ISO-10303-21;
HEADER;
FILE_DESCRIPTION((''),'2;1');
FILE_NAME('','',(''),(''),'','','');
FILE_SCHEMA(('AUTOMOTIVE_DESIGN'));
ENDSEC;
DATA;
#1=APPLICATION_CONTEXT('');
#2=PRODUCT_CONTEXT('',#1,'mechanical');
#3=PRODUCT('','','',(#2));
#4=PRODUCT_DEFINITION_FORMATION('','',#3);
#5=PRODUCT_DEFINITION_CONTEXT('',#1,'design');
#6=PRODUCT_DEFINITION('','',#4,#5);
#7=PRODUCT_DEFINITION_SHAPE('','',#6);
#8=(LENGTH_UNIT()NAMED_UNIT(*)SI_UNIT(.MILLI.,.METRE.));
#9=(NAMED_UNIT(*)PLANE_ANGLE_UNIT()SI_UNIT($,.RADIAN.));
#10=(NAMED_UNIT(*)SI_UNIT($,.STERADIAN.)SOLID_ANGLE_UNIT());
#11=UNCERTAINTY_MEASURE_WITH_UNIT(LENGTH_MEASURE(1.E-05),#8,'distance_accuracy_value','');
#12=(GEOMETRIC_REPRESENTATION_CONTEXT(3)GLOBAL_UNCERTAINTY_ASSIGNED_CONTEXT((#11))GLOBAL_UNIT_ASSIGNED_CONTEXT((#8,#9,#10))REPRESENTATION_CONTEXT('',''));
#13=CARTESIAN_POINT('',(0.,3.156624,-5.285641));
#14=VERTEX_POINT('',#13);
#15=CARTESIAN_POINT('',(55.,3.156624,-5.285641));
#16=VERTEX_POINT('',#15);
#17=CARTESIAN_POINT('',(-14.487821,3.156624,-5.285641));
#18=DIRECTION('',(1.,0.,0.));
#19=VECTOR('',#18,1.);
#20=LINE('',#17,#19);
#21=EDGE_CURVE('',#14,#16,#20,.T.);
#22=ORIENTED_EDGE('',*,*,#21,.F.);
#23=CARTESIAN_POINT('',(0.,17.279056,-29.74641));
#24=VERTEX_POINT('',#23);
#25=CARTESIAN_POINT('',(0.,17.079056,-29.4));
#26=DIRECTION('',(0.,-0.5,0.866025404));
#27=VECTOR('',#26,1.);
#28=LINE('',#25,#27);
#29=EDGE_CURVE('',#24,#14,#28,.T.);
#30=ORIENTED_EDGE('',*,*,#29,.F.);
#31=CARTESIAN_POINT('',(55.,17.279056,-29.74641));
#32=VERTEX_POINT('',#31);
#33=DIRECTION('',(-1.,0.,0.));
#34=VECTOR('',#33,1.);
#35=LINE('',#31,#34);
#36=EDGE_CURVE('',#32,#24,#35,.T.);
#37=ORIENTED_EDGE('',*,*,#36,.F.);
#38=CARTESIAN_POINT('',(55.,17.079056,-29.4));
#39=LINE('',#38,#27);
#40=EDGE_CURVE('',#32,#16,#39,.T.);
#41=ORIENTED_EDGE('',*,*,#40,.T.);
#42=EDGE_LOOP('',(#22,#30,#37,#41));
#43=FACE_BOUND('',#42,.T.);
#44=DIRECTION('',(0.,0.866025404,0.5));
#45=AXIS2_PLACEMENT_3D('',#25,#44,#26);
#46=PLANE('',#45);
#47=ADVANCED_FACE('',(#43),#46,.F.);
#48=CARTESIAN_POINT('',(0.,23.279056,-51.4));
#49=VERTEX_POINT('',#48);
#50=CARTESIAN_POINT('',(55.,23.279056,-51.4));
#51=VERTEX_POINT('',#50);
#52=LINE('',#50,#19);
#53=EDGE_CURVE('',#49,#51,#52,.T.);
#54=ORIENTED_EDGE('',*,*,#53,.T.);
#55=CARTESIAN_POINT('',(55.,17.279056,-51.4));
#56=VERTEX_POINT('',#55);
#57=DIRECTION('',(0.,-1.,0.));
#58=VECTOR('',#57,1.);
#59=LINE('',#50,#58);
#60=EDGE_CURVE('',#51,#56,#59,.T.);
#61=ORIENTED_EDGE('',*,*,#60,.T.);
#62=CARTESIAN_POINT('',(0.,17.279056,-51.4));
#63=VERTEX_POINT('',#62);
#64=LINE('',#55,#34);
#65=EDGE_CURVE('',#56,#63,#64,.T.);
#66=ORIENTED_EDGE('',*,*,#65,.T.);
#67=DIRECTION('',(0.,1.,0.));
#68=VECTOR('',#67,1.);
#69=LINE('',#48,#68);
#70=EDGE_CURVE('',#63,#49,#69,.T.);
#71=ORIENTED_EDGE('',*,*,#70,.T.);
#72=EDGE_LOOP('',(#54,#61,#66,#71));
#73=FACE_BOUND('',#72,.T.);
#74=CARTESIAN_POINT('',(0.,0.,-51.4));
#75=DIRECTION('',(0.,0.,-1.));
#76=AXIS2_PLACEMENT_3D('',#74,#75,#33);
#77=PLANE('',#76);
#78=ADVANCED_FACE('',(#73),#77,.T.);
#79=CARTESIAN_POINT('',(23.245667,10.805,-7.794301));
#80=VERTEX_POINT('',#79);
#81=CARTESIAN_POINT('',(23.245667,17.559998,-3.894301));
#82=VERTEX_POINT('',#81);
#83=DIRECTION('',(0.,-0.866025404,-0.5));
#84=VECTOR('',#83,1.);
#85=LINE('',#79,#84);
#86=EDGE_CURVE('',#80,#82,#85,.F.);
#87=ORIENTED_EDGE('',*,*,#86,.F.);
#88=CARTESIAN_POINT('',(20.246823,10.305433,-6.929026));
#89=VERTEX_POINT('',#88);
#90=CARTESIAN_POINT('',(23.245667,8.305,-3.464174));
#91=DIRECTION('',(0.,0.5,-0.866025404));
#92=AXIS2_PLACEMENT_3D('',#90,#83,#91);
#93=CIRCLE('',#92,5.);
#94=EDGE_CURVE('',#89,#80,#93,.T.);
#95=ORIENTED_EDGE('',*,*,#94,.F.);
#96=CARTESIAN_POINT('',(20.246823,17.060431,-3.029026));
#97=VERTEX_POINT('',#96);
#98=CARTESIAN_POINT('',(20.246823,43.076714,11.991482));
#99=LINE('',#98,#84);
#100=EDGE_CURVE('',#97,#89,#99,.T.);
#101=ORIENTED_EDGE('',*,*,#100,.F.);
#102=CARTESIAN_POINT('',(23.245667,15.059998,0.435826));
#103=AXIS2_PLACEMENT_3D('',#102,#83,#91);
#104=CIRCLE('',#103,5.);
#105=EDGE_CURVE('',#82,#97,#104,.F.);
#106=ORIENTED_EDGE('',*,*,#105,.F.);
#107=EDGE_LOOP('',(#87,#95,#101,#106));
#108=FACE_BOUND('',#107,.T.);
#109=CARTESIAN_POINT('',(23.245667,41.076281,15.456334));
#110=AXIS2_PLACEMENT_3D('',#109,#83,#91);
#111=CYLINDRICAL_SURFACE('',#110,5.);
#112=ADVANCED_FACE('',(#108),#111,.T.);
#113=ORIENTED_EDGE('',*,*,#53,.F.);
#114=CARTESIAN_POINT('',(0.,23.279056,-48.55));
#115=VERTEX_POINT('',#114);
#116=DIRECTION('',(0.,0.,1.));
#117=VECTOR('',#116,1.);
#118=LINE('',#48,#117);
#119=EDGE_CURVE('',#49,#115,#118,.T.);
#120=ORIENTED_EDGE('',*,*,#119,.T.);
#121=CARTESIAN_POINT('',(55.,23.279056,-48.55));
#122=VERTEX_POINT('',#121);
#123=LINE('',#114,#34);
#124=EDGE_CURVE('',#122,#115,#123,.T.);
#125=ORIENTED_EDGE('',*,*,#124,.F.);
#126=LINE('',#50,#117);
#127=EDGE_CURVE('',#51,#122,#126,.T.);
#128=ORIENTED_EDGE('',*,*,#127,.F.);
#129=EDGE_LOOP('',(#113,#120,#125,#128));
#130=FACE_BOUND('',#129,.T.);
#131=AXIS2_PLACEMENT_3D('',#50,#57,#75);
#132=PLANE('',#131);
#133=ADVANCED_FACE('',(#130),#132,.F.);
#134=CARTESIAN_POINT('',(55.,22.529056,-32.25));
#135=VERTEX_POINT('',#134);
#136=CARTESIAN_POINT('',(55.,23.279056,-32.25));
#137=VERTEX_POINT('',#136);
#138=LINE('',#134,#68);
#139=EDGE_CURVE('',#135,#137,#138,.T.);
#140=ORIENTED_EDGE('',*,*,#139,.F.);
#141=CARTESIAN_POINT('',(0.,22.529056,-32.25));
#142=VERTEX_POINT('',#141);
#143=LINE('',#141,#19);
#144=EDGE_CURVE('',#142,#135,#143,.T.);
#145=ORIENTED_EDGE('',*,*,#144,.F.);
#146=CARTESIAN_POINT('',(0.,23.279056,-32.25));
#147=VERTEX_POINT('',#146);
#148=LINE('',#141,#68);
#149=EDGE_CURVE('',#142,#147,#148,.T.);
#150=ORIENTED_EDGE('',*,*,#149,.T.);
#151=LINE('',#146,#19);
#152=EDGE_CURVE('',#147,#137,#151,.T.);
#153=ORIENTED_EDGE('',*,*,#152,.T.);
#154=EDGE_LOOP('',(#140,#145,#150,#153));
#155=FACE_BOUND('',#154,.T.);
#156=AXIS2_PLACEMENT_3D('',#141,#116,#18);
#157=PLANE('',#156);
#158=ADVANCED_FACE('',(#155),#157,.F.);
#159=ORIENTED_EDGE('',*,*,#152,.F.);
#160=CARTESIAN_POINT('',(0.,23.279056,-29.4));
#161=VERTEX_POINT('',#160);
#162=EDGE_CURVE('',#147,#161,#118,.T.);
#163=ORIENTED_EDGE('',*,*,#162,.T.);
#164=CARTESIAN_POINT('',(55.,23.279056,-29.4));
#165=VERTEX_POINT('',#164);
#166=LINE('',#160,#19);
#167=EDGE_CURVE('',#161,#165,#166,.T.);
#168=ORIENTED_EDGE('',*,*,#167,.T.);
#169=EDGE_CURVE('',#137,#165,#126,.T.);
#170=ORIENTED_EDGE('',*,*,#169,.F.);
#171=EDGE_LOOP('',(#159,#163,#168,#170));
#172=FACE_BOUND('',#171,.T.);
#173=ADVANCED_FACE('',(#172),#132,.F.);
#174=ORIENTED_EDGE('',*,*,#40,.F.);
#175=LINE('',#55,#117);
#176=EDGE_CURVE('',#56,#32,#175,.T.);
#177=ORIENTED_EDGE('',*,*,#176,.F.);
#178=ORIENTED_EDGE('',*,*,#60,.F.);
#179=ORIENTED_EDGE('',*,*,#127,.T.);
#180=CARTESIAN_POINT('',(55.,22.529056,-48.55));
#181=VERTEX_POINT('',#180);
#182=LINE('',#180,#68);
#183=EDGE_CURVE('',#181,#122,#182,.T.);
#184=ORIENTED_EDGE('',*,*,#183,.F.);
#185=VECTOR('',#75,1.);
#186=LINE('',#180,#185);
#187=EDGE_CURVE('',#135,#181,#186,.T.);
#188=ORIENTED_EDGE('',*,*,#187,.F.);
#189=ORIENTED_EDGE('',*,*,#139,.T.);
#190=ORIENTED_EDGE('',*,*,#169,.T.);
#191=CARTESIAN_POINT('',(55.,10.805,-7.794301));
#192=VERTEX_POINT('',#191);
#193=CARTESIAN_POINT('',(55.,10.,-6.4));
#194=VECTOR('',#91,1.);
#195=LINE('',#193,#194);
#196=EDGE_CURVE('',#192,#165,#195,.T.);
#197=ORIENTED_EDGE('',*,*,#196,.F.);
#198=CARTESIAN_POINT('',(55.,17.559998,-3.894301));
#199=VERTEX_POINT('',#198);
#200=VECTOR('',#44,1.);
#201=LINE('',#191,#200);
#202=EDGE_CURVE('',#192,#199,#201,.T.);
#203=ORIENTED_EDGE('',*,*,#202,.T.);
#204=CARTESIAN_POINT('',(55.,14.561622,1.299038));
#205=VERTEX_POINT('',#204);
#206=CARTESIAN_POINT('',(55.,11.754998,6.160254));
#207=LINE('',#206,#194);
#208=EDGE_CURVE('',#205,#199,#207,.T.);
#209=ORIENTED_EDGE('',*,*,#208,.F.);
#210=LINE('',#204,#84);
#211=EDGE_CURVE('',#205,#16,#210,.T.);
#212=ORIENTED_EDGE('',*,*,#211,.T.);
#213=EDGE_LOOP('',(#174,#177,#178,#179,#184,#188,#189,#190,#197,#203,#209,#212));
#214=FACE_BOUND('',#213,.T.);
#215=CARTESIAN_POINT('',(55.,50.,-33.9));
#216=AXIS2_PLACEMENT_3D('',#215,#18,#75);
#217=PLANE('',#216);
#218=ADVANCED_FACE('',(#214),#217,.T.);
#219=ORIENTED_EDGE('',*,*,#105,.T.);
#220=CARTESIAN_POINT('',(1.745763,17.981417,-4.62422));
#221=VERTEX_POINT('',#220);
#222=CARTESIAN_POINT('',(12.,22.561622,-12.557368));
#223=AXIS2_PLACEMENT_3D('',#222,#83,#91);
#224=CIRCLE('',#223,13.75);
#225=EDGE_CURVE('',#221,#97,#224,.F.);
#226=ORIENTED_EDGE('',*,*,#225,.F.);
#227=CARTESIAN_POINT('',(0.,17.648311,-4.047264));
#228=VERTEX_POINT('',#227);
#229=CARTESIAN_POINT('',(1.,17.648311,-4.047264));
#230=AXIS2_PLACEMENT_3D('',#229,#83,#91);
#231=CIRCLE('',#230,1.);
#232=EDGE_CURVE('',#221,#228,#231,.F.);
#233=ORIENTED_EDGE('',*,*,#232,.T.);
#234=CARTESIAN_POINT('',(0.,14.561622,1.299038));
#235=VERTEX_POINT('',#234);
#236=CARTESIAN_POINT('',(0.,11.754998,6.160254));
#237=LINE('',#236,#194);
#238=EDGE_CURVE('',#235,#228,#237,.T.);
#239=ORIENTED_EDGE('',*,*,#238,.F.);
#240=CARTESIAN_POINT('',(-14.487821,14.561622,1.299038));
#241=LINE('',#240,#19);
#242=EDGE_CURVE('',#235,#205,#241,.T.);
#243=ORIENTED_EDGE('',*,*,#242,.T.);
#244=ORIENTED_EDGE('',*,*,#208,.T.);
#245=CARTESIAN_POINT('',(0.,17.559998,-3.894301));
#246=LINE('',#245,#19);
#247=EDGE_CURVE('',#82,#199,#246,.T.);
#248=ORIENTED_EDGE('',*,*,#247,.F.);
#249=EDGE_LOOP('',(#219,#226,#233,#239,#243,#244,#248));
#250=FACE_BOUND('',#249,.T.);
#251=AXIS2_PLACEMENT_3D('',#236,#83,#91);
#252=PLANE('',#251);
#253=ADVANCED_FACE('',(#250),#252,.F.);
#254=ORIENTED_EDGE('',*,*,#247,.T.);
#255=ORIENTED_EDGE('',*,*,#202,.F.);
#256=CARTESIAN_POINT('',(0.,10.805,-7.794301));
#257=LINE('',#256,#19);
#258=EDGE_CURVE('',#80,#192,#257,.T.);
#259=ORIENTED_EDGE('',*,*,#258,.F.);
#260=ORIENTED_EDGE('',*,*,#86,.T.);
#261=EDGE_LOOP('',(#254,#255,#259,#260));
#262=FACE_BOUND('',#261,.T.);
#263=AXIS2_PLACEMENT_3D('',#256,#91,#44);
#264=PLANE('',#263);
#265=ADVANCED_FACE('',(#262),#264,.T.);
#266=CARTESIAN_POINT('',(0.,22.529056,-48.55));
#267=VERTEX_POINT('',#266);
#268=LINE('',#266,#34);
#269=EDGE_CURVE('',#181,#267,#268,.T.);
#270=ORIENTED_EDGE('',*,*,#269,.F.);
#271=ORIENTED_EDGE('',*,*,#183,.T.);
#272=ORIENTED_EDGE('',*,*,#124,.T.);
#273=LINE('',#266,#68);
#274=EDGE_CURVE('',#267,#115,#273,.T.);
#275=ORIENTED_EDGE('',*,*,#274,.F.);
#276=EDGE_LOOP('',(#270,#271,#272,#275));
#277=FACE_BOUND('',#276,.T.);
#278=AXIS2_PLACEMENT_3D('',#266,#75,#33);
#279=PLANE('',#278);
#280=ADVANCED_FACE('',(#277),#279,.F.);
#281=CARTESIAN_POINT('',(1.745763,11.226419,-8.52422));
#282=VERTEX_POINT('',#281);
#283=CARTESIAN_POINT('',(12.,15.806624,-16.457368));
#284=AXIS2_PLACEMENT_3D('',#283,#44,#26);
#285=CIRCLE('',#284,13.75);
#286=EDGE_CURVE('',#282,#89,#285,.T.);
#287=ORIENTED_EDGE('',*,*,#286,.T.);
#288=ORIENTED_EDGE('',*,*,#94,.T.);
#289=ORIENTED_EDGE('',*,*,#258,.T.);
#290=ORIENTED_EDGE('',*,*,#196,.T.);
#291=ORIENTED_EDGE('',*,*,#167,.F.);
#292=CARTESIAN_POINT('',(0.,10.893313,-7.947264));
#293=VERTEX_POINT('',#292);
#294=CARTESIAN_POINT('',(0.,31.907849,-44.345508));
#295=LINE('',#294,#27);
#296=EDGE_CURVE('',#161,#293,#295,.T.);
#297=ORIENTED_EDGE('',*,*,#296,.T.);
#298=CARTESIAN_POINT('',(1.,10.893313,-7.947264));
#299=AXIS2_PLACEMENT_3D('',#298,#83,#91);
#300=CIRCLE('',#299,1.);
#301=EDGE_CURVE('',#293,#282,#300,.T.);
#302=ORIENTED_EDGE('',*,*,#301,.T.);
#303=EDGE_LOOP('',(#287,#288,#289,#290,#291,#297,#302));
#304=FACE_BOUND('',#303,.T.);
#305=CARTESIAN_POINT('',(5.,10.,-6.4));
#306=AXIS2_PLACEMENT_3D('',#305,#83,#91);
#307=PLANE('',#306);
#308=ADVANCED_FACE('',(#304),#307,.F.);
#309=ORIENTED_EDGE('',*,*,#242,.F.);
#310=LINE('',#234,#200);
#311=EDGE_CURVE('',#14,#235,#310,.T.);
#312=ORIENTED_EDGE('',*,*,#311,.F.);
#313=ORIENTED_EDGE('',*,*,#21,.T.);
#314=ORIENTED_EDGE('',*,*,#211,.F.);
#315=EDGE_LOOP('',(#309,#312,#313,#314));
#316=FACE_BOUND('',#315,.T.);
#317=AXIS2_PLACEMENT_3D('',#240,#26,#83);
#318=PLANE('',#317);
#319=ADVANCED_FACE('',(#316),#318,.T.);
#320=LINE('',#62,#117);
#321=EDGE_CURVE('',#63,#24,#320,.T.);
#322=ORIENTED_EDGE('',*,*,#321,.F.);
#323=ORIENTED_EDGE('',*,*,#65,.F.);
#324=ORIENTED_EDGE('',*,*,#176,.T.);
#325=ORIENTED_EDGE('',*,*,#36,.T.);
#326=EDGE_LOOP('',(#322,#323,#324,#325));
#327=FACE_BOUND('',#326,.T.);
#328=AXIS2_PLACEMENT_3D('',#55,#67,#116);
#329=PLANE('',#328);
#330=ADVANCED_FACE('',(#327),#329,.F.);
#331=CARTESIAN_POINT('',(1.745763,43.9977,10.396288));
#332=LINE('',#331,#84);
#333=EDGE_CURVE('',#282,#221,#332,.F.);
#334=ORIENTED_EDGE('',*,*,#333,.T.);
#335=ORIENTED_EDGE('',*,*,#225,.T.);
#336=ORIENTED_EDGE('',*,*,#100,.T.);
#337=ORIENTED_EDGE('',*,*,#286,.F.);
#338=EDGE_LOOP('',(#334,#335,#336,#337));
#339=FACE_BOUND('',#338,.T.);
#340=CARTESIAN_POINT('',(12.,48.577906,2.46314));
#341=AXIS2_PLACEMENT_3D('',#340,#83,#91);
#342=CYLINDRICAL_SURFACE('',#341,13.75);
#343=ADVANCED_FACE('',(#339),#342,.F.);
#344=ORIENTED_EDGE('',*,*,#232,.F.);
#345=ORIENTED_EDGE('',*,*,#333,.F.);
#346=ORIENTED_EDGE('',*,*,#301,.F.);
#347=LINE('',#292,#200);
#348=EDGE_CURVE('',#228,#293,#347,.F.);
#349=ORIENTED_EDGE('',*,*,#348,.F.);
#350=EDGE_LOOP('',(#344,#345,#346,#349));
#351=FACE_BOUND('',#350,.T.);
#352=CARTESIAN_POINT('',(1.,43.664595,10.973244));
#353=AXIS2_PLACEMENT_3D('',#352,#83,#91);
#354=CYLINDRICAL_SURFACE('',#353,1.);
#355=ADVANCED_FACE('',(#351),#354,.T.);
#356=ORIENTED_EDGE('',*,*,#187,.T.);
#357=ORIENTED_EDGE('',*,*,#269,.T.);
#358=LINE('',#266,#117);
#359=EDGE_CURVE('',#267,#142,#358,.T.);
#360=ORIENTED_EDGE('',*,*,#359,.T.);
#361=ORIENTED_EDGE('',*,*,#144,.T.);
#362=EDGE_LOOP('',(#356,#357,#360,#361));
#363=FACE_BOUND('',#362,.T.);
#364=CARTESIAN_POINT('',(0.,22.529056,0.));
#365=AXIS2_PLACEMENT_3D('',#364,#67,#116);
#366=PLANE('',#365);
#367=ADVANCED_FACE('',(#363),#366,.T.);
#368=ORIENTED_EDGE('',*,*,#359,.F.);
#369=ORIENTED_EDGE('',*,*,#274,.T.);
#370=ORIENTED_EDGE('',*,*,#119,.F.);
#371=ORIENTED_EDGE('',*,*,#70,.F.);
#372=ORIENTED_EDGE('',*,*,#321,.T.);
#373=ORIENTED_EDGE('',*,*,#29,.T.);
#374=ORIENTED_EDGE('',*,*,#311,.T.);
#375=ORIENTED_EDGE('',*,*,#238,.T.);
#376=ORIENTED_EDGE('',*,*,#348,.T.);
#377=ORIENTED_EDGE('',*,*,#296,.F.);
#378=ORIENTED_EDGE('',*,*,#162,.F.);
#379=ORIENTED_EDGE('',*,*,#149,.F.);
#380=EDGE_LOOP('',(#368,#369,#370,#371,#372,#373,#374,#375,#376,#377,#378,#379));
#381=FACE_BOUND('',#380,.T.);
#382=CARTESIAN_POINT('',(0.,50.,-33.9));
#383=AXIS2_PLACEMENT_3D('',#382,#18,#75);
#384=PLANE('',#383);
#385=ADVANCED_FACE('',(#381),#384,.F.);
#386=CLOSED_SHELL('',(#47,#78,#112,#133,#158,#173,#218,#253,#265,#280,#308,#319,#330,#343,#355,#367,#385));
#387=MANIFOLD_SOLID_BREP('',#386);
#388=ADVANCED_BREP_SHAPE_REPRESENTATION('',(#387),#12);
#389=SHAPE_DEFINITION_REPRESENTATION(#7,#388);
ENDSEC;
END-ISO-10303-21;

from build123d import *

# Parameters (mm, degrees)
SKETCH1_W           = 55
SKETCH1_H           = 33.9
BOSS_EXTRUDE1_DEPTH = 50
CUT_EXTRUDE1_DEPTH  = 50
CUT_EXTRUDE2_DEPTH  = 82.695838327
BOSS_EXTRUDE2_REACH = 83.696
SKETCH6_R           = 13.75
CUT_EXTRUDE3_DEPTH  = 81.101530043
CUT_EXTRUDE4_DEPTH  = 82.695838327
SKETCH8_R           = 6
CUT_EXTRUDE5_DEPTH  = 70.597672241
CUT_EXTRUDE6_DEPTH  = 70.597672241
SKETCH10_W          = 55
SKETCH10_H          = 4.5
CUT_EXTRUDE7_DEPTH  = 69.674045004
FILLET5_R           = 1
FILLET6_R           = 5
CUT_EXTRUDE8_DEPTH  = 67.56781848
SKETCH17_W          = 55
SKETCH17_H          = 6
BOSS_EXTRUDE4_DEPTH = 22
BOSS_EXTRUDE5_DEPTH = 55
SKETCH19_W          = 55
SKETCH19_H          = 16.3
CUT_EXTRUDE9_DEPTH  = 0.75
BOSS_EXTRUDE6_DEPTH = 55


with BuildPart() as part:
    # Sketch1 → Boss-Extrude1 (new body)
    with BuildSketch(Plane(origin=(0, 0, 0), x_dir=(1, 0, 0), z_dir=(0, 1, 0))):
        with Locations((27.5, 16.95)):
            Rectangle(SKETCH1_W, SKETCH1_H)
    extrude(amount=BOSS_EXTRUDE1_DEPTH)

    # Sketch4 → Cut-Extrude1 (cut)
    with BuildSketch(Plane(origin=(55, 0, 0), x_dir=(0, 0, -1), z_dir=(1, 0, 0))):
        Polygon((-18.6, 53.301270189), (24.701270189, 78.301270189), (49.701270189, 35), (6.4, 10), align=None)
    extrude(amount=-CUT_EXTRUDE1_DEPTH, mode=Mode.SUBTRACT)

    # Sketch5 → Cut-Extrude2 (cut, through all)
    with BuildSketch(Plane(origin=(55, 0, 0), x_dir=(0, 0, -1), z_dir=(1, 0, 0))):
        Polygon((-11.160254038, 20.415252187), (-2.5, 25.415252187), (2.5, 16.75499815), (-6.160254038, 11.75499815), align=None)
    extrude(amount=-CUT_EXTRUDE2_DEPTH, mode=Mode.SUBTRACT)

    # Sketch12 → Boss-Extrude2 (add, up to next)
    with BuildSketch(Plane(origin=(55, 0, 0), x_dir=(0, 0, -1), z_dir=(1, 0, 0)), mode=Mode.PRIVATE) as boss_extrude2_sk1:
        Polygon((2.5, 16.75499815), (6.4, 10), (7.7943009, 10.805), (3.8943009, 17.55999815), align=None)
    boss_extrude2_tool1 = extrude(boss_extrude2_sk1.sketch, amount=-BOSS_EXTRUDE2_REACH, mode=Mode.PRIVATE) - part.part
    add(boss_extrude2_tool1.solids().sort_by_distance((55, 13.779999, -5.14715))[0])

    # Sketch6 → Cut-Extrude3 (cut, through all)
    with BuildSketch(Plane(origin=(0, 4.728718708, 2.730127019), x_dir=(1, 0, 0), z_dir=(0, 0.8660254037844417, 0.4999999999999949))):
        with Locations((12, 22.155811238)):
            Circle(SKETCH6_R)
    extrude(amount=CUT_EXTRUDE3_DEPTH, mode=Mode.SUBTRACT)

    # Sketch7 → Cut-Extrude4 (cut, through all)
    with BuildSketch(Plane(origin=(55, 0, 0), x_dir=(0, 0, -1), z_dir=(1, 0, 0))):
        Polygon((0, 15.311622477), (6.743860378, 19.205192081), (10.643860378, 12.450193932), (102.202540378, 65.311622477), (25.408423261, 65.311622477), (0, 65.311622477), align=None)
    extrude(amount=-CUT_EXTRUDE4_DEPTH, mode=Mode.SUBTRACT)

    # Sketch8 → Cut-Extrude5 (cut, through all)
    with BuildSketch(Plane(origin=(0, 0, 0), x_dir=(1, 0, 0), z_dir=(0, 1, 0))):
        with Locations((25.75, 35.4)):
            Circle(SKETCH8_R)
    extrude(amount=CUT_EXTRUDE5_DEPTH, mode=Mode.SUBTRACT)

    # Sketch9 → Cut-Extrude6 (cut, through all)
    with BuildSketch(Plane(origin=(55, 0, 0), x_dir=(0, 0, -1), z_dir=(1, 0, 0))):
        Polygon((29.4, 23.279056191), (33.9, 23.279056191), (33.9, 25.877132403), align=None)
    extrude(amount=-CUT_EXTRUDE6_DEPTH, mode=Mode.SUBTRACT)

    # Sketch10 → Cut-Extrude7 (cut, through all)
    with BuildSketch(Plane(origin=(0, 0, 0), x_dir=(1, 0, 0), z_dir=(0, 1, 0))):
        with Locations((27.5, 31.65)):
            Rectangle(SKETCH10_W, SKETCH10_H)
    extrude(amount=CUT_EXTRUDE7_DEPTH, mode=Mode.SUBTRACT)

    # Fillet5
    fillet5_edges = [part.edges().sort_by_distance(p)[0] for p in [
        (0, 15.827693006, -8.693860378),
    ]]
    fillet(fillet5_edges, radius=FILLET5_R)

    # Fillet6
    fillet6_edges = [part.edges().sort_by_distance(p)[0] for p in [
        (21.433849499, 14.182499075, -5.8443009),
    ]]
    fillet(fillet6_edges, radius=FILLET6_R)

    # Sketch16 → Cut-Extrude8 (cut, through all)
    with BuildSketch(Plane(origin=(55, 0, 0), x_dir=(0, 0, -1), z_dir=(1, 0, 0))):
        Polygon((29.4, 17.079056191), (6.584678752, 3.906624327), (0, 15.311622477), (0, 0), (29.4, 0), align=None)
    extrude(amount=-CUT_EXTRUDE8_DEPTH, mode=Mode.SUBTRACT)

    # Sketch17 → Boss-Extrude4 (add)
    with BuildSketch(Plane(origin=(0, 0, -29.4), x_dir=(-1, 0, 0), z_dir=(0, 0, -1))):
        with Locations((-27.5, 20.279056191)):
            Rectangle(SKETCH17_W, SKETCH17_H)
    extrude(amount=BOSS_EXTRUDE4_DEPTH)

    # Sketch18 → Boss-Extrude5 (add)
    with BuildSketch(Plane(origin=(55, 0, 0), x_dir=(0, 0, -1), z_dir=(1, 0, 0))):
        Polygon((17.992339376, 10.492840259), (40.138715007, 23.279056191), (29.4, 23.279056191), (15.307660624, 15.142840259), align=None)
    extrude(amount=-BOSS_EXTRUDE5_DEPTH)

    # Sketch19 → Cut-Extrude9 (cut)
    with BuildSketch(Plane(origin=(0, 23.279056191, 0), x_dir=(1, 0, 0), z_dir=(0, 1, 0))):
        with Locations((27.5, 40.4)):
            Rectangle(SKETCH19_W, SKETCH19_H)
    extrude(amount=-CUT_EXTRUDE9_DEPTH, mode=Mode.SUBTRACT)

    # Sketch20 → Boss-Extrude6 (add)
    with BuildSketch(Plane(origin=(55, 0, 0), x_dir=(0, 0, -1), z_dir=(1, 0, 0))):
        Polygon((0, 15.311622477), (-1.299038106, 14.561622477), (5.285640646, 3.156624327), (6.584678752, 3.906624327), align=None)
    extrude(amount=-BOSS_EXTRUDE6_DEPTH)


solid = part.part
